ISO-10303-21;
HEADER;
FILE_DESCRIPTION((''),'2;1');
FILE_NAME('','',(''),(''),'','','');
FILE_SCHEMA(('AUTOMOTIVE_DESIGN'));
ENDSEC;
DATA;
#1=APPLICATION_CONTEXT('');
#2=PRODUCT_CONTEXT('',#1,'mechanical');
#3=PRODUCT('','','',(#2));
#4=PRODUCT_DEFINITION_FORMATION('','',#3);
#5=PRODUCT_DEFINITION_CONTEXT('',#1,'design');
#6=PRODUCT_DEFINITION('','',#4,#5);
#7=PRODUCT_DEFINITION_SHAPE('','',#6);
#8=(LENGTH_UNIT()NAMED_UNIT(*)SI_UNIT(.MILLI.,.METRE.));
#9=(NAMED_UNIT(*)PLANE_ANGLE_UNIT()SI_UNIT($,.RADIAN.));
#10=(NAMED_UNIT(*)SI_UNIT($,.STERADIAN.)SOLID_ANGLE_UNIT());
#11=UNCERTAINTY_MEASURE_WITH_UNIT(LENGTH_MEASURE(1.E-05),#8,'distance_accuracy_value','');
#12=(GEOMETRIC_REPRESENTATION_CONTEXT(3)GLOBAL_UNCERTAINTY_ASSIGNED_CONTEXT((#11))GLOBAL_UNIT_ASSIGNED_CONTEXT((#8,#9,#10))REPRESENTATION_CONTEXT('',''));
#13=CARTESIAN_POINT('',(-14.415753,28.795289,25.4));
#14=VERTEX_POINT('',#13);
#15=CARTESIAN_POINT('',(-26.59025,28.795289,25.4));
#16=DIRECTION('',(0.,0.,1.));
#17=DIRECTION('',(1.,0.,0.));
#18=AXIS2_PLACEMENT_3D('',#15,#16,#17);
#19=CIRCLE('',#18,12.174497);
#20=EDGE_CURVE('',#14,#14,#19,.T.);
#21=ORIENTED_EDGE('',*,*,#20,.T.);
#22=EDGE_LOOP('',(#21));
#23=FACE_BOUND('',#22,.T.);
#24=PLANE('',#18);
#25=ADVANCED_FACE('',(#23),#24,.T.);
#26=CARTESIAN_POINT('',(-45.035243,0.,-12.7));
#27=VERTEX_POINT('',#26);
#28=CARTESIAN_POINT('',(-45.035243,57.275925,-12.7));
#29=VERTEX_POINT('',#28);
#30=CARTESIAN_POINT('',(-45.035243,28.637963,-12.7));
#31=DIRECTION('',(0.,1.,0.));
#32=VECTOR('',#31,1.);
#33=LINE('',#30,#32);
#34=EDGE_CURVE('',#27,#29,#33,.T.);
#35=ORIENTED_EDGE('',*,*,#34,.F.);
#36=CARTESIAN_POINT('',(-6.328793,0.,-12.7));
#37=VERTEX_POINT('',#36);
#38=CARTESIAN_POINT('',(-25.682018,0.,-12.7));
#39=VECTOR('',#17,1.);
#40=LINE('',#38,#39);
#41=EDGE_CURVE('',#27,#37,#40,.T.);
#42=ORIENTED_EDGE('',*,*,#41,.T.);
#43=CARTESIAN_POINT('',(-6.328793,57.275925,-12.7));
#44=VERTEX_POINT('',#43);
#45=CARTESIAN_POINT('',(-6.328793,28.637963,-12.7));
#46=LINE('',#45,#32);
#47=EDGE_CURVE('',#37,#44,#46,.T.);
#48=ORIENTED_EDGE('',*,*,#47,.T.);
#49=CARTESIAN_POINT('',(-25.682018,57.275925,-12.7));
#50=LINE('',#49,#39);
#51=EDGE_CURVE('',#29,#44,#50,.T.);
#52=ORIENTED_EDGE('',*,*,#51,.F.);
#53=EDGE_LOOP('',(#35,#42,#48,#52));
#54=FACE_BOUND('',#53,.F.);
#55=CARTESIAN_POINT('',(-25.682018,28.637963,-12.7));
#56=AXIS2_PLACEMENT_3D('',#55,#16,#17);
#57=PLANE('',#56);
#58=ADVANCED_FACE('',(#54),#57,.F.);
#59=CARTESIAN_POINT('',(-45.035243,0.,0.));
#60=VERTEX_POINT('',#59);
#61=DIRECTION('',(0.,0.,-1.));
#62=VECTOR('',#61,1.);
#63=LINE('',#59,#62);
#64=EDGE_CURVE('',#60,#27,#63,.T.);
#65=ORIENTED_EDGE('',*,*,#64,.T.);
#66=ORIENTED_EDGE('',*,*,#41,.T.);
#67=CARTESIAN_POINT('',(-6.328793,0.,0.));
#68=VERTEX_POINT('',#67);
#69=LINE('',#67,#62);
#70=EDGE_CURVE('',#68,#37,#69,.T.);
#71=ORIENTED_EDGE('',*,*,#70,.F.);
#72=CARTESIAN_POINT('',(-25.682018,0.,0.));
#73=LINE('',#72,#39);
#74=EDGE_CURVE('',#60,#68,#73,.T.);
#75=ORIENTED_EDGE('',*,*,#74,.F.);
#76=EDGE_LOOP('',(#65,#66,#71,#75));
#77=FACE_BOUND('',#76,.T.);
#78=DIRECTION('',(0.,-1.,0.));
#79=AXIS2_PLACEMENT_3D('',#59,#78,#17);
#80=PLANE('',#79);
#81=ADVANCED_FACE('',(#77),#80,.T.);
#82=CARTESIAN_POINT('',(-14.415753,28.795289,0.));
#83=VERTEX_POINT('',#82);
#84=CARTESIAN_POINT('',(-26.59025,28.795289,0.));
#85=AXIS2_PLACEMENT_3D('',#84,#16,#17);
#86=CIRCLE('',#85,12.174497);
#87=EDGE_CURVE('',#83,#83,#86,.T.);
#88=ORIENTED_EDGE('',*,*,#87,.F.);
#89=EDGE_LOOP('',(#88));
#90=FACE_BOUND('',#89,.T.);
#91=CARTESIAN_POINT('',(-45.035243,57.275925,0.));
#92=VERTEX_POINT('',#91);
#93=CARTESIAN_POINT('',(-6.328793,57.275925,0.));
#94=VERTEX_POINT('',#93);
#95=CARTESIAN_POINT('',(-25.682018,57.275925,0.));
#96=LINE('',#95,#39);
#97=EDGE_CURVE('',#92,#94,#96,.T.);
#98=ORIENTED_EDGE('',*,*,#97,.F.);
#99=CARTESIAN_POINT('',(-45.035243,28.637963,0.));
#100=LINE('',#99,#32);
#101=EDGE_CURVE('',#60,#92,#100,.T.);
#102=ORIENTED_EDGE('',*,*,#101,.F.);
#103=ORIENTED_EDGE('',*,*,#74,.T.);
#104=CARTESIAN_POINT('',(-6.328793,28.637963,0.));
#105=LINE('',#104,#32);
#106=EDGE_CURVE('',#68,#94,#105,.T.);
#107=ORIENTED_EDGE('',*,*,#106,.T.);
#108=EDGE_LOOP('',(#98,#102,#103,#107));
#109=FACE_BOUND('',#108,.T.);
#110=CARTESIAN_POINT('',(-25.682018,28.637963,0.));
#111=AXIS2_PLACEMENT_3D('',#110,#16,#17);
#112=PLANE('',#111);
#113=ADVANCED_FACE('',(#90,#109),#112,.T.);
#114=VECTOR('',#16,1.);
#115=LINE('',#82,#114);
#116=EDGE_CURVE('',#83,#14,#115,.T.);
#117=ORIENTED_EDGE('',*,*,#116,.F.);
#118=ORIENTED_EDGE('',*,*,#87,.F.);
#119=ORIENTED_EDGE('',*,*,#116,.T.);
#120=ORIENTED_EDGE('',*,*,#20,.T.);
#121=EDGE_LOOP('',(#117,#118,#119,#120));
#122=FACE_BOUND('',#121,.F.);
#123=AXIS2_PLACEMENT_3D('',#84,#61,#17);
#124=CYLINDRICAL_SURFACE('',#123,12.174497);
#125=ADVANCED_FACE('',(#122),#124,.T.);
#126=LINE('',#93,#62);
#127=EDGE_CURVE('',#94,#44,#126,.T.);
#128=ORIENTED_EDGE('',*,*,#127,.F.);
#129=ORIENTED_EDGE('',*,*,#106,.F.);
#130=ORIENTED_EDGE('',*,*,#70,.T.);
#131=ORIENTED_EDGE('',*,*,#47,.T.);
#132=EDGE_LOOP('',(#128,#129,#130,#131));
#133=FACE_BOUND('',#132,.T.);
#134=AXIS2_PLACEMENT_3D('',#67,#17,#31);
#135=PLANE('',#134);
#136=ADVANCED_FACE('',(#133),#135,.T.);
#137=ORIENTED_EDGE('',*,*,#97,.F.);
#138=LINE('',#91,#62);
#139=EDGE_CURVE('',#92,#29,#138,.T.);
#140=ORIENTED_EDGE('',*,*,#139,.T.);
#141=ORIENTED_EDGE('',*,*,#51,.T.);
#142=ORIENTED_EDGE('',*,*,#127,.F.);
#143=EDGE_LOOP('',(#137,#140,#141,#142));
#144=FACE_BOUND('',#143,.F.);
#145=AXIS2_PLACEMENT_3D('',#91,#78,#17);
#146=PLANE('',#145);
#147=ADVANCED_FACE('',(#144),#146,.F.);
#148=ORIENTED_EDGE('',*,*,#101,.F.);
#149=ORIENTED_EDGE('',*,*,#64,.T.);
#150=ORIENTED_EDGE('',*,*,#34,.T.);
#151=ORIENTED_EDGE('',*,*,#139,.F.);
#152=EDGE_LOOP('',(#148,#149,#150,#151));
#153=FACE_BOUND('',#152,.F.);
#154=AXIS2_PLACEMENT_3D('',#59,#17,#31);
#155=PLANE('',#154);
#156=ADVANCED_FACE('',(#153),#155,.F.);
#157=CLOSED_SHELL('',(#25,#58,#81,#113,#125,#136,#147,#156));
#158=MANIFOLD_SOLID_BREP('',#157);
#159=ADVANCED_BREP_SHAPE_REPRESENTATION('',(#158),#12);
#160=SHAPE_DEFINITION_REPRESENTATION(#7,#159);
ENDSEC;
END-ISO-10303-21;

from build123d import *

# Parameters (mm, degrees)
F0_W     = 38.70645
F0_H     = 57.275925
F1_DEPTH = 12.7
F2_R     = 12.174497
F3_DEPTH = 25.4


with BuildPart() as f1:
    # F0 (on Top) → F1 (new body)
    with BuildSketch(Plane.XY):
        with Locations((-25.682018, 28.637963)):
            Rectangle(F0_W, F0_H)
    extrude(amount=-F1_DEPTH)

    # F2 (on face) → F3 (join)
    with BuildSketch(Plane.XY):
        with Locations((-26.59025, 28.795289)):
            Circle(F2_R)
    extrude(amount=F3_DEPTH)


solid = f1.part
